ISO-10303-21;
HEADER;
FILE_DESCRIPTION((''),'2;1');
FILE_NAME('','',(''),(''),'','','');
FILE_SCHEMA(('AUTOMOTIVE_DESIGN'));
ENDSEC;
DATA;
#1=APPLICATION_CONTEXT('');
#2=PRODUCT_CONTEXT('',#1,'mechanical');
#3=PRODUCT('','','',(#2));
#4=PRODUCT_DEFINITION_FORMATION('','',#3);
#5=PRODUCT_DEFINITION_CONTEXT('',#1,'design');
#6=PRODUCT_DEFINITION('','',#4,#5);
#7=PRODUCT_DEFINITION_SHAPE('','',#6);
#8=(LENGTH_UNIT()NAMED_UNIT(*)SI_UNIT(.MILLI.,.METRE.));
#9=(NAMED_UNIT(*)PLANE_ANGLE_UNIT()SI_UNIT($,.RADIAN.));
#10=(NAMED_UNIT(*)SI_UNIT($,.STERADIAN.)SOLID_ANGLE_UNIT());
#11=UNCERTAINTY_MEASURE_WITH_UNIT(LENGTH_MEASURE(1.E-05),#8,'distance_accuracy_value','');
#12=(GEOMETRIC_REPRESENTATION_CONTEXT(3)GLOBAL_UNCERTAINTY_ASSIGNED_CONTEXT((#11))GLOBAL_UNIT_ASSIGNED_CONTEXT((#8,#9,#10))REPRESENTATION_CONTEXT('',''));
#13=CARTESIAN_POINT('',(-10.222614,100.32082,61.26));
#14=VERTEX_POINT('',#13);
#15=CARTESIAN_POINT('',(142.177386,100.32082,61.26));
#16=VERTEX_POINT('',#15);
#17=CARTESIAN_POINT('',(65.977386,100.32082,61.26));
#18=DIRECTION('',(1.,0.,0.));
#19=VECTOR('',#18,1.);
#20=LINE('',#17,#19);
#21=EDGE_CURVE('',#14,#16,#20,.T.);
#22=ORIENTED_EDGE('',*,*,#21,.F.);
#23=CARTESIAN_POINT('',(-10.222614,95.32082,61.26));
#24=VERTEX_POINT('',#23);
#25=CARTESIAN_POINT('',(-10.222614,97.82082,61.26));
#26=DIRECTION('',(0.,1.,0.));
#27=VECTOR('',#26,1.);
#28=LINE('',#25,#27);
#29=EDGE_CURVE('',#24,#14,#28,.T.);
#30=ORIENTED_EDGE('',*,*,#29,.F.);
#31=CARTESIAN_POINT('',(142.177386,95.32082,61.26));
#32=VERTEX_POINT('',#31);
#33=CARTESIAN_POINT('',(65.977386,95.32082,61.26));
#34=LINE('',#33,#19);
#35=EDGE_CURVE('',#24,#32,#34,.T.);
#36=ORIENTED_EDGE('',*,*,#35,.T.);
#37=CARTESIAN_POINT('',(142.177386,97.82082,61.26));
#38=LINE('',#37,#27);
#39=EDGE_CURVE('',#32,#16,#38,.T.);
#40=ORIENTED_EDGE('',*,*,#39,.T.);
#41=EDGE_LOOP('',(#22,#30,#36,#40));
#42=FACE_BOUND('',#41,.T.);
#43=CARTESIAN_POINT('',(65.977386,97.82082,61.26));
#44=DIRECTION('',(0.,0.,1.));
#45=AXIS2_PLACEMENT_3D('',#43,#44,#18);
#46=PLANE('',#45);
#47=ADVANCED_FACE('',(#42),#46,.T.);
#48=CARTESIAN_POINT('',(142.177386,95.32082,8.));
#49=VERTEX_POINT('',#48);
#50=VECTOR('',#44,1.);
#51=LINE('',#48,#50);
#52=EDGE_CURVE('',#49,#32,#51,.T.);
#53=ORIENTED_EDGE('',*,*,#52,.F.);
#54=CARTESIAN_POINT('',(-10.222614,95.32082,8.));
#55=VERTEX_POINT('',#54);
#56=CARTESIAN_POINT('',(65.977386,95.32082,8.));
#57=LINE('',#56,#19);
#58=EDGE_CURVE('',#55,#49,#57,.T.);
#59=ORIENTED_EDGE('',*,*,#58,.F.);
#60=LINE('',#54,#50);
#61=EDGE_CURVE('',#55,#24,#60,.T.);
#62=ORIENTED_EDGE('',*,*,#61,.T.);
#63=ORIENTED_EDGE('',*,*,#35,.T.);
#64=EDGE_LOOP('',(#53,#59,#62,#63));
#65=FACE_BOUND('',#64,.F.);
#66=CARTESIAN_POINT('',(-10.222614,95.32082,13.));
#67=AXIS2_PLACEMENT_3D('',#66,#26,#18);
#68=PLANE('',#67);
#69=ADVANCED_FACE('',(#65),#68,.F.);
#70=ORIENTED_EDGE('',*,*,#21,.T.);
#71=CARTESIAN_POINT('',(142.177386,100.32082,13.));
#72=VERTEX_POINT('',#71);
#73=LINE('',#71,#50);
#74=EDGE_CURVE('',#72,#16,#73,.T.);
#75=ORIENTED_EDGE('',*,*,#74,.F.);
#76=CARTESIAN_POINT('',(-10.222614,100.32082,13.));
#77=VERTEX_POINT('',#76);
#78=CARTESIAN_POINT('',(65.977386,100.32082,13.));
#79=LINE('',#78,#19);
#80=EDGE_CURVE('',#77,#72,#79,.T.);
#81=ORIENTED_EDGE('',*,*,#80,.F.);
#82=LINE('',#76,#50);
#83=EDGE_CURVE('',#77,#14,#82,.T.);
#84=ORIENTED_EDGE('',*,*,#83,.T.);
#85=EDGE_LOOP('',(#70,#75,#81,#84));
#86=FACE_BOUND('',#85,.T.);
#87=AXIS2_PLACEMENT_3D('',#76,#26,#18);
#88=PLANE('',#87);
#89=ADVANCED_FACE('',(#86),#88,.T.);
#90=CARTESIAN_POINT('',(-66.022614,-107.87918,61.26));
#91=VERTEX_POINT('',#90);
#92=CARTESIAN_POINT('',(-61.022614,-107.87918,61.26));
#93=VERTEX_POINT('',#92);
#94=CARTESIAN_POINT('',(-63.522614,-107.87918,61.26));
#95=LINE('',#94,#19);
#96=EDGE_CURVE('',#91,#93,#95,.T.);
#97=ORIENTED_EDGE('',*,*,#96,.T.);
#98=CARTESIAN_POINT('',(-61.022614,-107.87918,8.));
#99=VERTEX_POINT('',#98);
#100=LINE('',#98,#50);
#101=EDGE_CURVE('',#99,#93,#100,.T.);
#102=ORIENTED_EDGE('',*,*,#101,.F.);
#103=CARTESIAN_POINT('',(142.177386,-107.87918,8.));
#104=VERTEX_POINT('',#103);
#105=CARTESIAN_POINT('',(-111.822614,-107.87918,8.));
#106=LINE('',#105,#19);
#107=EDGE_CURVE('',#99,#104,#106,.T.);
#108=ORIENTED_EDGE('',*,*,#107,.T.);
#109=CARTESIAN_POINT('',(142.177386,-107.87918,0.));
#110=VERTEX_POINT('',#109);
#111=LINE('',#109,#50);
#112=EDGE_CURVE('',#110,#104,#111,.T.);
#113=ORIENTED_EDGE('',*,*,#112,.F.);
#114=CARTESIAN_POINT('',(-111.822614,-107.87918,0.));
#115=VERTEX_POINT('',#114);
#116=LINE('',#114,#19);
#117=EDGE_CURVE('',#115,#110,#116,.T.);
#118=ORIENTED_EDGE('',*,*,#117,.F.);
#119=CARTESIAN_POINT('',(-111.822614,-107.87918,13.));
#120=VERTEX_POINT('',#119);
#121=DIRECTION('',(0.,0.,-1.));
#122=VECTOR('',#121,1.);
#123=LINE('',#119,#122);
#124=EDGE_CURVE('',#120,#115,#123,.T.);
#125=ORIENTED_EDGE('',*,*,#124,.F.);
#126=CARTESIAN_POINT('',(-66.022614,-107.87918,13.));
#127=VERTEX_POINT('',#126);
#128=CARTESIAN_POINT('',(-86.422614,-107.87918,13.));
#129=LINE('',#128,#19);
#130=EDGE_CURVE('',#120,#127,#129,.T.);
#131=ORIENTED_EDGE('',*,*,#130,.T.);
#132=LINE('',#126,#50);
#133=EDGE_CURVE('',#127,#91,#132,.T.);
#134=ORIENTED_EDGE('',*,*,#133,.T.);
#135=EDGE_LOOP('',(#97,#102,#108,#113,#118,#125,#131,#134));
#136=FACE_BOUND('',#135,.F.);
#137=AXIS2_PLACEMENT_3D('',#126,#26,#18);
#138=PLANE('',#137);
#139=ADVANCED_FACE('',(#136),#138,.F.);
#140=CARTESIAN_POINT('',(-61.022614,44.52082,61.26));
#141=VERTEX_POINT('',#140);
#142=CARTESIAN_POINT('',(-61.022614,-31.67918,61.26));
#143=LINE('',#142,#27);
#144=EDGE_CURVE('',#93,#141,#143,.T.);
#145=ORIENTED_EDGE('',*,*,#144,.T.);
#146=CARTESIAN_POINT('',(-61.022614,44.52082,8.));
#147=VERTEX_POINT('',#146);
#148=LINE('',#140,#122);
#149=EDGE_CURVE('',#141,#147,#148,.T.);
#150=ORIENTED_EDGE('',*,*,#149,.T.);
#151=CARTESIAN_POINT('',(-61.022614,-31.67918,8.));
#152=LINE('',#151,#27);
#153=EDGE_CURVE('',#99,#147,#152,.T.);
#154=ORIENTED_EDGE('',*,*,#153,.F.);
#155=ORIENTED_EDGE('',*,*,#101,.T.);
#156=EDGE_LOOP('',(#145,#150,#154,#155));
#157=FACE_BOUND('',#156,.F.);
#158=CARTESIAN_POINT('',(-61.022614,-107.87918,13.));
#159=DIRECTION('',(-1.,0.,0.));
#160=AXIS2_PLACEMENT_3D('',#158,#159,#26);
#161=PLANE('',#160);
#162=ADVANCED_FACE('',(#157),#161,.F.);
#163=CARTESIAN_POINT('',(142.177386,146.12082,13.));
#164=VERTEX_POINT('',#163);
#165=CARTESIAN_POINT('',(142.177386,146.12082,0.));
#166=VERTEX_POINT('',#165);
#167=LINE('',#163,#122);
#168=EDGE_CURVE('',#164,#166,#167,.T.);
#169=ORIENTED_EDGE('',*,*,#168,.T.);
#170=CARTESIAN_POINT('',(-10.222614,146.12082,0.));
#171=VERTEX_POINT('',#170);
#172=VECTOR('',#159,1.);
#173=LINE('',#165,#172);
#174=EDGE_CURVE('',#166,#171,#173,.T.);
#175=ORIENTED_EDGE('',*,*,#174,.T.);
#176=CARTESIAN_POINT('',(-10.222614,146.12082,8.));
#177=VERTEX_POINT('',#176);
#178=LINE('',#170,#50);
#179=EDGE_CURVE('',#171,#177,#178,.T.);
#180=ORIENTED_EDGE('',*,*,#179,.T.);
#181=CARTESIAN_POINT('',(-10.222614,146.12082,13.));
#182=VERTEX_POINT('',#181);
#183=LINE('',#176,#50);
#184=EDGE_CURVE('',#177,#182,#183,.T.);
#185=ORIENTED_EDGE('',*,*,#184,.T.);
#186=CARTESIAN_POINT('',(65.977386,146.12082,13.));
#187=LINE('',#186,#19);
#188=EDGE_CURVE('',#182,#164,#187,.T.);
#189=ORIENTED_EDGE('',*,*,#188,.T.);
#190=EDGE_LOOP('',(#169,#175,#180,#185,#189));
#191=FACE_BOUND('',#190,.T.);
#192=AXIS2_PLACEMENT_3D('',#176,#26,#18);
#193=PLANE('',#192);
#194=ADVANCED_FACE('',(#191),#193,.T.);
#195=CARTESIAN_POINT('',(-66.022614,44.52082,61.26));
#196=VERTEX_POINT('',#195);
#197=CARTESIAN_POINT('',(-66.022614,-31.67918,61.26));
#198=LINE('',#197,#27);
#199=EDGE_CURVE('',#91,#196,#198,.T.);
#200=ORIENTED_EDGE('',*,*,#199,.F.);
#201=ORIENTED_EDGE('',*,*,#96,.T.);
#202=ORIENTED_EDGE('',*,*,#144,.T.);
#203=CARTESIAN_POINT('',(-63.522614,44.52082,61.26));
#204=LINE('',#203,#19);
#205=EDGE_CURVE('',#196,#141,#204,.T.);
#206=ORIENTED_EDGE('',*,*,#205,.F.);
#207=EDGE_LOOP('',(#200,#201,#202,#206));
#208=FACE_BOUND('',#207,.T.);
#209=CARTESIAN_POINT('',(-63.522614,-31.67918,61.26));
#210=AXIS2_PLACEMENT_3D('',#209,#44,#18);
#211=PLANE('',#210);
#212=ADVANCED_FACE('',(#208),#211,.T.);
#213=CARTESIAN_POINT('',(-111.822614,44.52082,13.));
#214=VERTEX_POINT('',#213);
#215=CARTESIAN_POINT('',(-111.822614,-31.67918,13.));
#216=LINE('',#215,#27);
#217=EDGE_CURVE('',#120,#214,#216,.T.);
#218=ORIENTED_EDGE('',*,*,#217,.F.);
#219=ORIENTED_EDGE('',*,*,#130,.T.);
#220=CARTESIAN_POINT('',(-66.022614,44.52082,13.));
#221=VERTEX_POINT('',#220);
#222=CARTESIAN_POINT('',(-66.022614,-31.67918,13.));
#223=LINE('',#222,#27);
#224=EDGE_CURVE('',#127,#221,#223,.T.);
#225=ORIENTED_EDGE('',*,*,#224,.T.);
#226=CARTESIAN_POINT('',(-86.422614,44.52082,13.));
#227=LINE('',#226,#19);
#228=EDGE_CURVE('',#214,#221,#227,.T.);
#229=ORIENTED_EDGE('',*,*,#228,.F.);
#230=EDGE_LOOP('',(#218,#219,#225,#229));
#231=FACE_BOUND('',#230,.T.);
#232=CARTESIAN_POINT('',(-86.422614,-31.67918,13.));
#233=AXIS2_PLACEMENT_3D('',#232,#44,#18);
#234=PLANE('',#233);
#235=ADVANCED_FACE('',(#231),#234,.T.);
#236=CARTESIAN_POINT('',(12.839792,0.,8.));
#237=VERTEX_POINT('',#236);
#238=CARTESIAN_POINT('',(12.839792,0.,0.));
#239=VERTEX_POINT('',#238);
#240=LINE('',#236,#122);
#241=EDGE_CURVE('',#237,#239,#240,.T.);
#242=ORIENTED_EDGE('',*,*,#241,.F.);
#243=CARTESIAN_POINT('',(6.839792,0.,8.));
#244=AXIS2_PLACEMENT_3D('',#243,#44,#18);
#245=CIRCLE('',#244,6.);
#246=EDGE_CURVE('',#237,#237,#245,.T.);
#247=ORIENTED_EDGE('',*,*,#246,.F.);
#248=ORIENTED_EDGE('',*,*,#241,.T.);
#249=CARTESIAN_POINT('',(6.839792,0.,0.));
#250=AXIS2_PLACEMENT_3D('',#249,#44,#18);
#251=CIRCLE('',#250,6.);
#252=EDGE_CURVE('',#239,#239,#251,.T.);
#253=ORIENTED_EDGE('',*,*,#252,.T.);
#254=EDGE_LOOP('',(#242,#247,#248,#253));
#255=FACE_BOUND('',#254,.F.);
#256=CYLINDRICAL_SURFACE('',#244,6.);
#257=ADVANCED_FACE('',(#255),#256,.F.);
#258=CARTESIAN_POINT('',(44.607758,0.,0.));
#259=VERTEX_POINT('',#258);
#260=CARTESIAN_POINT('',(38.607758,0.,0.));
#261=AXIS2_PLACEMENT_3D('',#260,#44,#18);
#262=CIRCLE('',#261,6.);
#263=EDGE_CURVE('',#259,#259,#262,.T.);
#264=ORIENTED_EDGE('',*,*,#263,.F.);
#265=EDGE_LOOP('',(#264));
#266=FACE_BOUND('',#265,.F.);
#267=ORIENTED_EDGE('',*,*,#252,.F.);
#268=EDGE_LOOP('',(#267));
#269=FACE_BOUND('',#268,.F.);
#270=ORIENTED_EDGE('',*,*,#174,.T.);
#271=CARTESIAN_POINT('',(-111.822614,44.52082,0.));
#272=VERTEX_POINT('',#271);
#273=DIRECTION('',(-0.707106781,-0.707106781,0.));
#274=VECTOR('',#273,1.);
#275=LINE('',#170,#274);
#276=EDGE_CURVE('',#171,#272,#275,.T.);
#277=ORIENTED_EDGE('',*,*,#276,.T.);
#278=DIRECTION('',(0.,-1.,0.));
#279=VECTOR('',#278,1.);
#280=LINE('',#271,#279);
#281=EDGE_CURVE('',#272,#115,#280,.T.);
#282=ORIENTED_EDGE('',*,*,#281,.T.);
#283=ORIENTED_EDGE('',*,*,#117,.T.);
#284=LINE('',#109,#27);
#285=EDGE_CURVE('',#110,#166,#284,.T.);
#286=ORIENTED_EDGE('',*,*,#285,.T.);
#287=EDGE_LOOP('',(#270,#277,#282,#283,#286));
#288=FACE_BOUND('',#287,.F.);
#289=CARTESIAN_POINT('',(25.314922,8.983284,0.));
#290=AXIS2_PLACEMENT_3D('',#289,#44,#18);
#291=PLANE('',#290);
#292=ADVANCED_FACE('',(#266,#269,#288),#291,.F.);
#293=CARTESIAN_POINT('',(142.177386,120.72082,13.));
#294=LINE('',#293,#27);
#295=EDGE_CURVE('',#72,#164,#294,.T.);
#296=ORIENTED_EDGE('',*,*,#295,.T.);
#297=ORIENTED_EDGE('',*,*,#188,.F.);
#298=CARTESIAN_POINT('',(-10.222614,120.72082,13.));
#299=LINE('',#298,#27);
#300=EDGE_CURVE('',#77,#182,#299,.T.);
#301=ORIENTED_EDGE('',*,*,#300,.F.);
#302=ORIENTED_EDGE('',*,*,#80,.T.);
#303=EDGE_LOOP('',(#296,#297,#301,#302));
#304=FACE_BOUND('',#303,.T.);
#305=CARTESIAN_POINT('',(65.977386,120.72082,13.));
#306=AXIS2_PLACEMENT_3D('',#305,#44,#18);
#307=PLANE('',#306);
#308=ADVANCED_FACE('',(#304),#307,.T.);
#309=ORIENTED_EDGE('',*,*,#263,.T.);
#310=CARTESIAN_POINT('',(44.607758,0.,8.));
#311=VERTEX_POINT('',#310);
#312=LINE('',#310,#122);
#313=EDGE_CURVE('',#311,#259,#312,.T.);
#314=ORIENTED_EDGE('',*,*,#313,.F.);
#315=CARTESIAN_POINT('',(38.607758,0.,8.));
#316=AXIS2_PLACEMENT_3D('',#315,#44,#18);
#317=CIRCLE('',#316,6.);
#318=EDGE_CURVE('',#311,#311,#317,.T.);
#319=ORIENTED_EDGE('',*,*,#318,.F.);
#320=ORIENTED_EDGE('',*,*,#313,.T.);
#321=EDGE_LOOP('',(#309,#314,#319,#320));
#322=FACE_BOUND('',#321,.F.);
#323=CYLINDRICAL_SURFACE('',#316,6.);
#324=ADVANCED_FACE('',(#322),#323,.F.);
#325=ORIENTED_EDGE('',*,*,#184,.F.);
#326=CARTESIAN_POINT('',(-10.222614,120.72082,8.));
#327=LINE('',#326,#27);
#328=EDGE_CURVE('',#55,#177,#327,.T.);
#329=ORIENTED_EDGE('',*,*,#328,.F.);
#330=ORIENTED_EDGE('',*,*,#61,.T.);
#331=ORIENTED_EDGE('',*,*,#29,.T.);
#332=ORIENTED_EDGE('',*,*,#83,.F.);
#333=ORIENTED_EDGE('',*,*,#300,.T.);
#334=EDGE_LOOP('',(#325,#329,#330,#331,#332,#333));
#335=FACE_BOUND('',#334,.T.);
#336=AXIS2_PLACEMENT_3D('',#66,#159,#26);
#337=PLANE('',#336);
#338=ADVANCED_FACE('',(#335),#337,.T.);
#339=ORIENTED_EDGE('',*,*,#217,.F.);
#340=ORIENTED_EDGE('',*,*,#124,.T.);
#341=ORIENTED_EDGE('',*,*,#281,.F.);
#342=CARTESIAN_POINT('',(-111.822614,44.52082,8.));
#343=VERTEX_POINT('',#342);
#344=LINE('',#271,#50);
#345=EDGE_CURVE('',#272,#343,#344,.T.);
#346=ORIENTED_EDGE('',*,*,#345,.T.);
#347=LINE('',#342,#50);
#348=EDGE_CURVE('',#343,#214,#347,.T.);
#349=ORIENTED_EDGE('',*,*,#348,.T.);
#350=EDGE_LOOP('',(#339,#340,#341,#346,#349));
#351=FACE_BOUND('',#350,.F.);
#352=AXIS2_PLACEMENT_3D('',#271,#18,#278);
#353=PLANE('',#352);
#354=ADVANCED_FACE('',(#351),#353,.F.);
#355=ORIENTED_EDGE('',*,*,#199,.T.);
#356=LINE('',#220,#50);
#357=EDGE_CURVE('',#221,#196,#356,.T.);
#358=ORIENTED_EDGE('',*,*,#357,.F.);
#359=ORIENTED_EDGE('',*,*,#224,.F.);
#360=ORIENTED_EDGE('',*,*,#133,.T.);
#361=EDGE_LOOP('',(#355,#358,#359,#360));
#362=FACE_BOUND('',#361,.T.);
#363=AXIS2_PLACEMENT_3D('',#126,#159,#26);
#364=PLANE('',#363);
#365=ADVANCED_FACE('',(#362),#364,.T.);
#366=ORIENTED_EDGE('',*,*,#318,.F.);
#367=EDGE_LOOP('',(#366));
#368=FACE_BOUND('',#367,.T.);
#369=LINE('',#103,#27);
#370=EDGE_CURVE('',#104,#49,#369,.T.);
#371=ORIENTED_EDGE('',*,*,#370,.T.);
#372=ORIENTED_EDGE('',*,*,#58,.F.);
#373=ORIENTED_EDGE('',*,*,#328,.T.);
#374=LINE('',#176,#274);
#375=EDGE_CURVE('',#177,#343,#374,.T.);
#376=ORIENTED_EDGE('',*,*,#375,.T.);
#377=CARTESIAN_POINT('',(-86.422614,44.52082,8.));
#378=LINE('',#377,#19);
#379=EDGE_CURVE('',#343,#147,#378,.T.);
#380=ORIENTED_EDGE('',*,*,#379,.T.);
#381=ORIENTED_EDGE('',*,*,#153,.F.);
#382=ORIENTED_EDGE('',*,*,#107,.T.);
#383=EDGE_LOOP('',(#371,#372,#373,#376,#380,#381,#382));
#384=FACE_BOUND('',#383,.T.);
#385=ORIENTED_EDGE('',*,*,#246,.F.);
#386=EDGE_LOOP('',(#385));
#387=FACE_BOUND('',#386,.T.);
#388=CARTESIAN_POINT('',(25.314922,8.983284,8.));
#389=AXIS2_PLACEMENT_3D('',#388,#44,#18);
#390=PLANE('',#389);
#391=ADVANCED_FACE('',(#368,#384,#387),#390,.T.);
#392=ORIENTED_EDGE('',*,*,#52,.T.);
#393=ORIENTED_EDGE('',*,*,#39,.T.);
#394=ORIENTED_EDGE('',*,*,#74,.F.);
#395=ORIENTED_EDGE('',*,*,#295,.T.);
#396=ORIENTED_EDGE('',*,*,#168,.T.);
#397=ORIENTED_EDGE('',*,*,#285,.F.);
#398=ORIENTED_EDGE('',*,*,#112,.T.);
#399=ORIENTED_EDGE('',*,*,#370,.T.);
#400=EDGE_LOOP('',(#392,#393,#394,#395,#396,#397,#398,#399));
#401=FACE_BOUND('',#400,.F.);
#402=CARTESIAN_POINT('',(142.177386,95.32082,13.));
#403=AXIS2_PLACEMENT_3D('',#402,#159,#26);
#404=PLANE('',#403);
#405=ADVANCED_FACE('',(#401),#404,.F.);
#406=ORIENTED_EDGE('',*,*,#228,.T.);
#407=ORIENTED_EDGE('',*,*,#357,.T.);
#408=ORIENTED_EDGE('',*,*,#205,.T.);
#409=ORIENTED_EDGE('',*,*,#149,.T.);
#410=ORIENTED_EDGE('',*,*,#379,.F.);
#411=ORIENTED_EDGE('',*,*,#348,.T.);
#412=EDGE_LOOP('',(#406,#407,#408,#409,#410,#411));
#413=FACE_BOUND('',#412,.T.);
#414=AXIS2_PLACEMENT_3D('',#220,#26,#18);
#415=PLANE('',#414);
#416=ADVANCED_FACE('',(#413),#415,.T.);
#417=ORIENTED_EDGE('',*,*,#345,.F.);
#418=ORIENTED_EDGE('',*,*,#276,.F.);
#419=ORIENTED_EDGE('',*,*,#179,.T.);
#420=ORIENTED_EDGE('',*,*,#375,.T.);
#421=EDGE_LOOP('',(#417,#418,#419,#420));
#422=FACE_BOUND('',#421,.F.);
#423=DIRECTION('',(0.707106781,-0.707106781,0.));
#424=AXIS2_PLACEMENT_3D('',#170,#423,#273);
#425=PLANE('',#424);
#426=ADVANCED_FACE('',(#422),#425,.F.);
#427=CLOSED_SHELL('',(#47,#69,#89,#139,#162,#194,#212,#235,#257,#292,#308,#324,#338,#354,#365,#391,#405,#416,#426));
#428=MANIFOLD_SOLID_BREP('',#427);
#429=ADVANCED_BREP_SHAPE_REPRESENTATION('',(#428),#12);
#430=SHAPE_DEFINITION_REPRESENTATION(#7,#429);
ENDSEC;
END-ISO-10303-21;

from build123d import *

# Parameters (mm, degrees)
F1_DEPTH  = 8
F2_W      = 152.4
F2_H      = 50.8
F2_W_2    = 50.8
F2_H_2    = 152.4
F3_DEPTH  = 5
F5_W      = 152.4
F5_H      = 5
F6_DEPTH  = 48.26
F7_R      = 6
F8_DEPTH  = 8
F9_R      = 6
F10_DEPTH = 8
F4_W      = 5
F4_H      = 152.4
F11_DEPTH = 48.26


with BuildPart() as f1:
    # F0 (on Top) → F1 (new body)
    with BuildSketch(Plane.XY):
        Polygon((-10.222614, 146.12082), (-111.822614, 44.52082), (-111.822614, -107.87918), (142.177386, -107.87918), (142.177386, 146.12082), align=None)
    extrude(amount=F1_DEPTH)

    # F2 (on face) → F3 (join)
    with BuildSketch(Plane.XY.offset(8)):
        with Locations((65.977386, 120.72082)):
            Rectangle(F2_W, F2_H)
        with Locations((-86.422614, -31.67918)):
            Rectangle(F2_W_2, F2_H_2)
    extrude(amount=F3_DEPTH)

    # F5 (on face) → F6 (join)
    with BuildSketch(Plane.XY.offset(13)):
        with Locations((65.977386, 97.82082)):
            Rectangle(F5_W, F5_H)
    extrude(amount=F6_DEPTH)

    # F7 (on face) → F8 (cut)
    with BuildSketch(Plane.XY.offset(8)):
        with Locations((6.839792, 0)):
            Circle(F7_R)
    extrude(amount=-F8_DEPTH, mode=Mode.SUBTRACT)

    # F9 (on face) → F10 (cut)
    with BuildSketch(Plane.XY.offset(8)):
        with Locations((38.607758, 0)):
            Circle(F9_R)
    extrude(amount=-F10_DEPTH, mode=Mode.SUBTRACT)

    # F4 (on face) → F11 (join)
    with BuildSketch(Plane.XY.offset(13)):
        with Locations((-63.522614, -31.67918)):
            Rectangle(F4_W, F4_H)
    extrude(amount=F11_DEPTH)


solid = f1.part
